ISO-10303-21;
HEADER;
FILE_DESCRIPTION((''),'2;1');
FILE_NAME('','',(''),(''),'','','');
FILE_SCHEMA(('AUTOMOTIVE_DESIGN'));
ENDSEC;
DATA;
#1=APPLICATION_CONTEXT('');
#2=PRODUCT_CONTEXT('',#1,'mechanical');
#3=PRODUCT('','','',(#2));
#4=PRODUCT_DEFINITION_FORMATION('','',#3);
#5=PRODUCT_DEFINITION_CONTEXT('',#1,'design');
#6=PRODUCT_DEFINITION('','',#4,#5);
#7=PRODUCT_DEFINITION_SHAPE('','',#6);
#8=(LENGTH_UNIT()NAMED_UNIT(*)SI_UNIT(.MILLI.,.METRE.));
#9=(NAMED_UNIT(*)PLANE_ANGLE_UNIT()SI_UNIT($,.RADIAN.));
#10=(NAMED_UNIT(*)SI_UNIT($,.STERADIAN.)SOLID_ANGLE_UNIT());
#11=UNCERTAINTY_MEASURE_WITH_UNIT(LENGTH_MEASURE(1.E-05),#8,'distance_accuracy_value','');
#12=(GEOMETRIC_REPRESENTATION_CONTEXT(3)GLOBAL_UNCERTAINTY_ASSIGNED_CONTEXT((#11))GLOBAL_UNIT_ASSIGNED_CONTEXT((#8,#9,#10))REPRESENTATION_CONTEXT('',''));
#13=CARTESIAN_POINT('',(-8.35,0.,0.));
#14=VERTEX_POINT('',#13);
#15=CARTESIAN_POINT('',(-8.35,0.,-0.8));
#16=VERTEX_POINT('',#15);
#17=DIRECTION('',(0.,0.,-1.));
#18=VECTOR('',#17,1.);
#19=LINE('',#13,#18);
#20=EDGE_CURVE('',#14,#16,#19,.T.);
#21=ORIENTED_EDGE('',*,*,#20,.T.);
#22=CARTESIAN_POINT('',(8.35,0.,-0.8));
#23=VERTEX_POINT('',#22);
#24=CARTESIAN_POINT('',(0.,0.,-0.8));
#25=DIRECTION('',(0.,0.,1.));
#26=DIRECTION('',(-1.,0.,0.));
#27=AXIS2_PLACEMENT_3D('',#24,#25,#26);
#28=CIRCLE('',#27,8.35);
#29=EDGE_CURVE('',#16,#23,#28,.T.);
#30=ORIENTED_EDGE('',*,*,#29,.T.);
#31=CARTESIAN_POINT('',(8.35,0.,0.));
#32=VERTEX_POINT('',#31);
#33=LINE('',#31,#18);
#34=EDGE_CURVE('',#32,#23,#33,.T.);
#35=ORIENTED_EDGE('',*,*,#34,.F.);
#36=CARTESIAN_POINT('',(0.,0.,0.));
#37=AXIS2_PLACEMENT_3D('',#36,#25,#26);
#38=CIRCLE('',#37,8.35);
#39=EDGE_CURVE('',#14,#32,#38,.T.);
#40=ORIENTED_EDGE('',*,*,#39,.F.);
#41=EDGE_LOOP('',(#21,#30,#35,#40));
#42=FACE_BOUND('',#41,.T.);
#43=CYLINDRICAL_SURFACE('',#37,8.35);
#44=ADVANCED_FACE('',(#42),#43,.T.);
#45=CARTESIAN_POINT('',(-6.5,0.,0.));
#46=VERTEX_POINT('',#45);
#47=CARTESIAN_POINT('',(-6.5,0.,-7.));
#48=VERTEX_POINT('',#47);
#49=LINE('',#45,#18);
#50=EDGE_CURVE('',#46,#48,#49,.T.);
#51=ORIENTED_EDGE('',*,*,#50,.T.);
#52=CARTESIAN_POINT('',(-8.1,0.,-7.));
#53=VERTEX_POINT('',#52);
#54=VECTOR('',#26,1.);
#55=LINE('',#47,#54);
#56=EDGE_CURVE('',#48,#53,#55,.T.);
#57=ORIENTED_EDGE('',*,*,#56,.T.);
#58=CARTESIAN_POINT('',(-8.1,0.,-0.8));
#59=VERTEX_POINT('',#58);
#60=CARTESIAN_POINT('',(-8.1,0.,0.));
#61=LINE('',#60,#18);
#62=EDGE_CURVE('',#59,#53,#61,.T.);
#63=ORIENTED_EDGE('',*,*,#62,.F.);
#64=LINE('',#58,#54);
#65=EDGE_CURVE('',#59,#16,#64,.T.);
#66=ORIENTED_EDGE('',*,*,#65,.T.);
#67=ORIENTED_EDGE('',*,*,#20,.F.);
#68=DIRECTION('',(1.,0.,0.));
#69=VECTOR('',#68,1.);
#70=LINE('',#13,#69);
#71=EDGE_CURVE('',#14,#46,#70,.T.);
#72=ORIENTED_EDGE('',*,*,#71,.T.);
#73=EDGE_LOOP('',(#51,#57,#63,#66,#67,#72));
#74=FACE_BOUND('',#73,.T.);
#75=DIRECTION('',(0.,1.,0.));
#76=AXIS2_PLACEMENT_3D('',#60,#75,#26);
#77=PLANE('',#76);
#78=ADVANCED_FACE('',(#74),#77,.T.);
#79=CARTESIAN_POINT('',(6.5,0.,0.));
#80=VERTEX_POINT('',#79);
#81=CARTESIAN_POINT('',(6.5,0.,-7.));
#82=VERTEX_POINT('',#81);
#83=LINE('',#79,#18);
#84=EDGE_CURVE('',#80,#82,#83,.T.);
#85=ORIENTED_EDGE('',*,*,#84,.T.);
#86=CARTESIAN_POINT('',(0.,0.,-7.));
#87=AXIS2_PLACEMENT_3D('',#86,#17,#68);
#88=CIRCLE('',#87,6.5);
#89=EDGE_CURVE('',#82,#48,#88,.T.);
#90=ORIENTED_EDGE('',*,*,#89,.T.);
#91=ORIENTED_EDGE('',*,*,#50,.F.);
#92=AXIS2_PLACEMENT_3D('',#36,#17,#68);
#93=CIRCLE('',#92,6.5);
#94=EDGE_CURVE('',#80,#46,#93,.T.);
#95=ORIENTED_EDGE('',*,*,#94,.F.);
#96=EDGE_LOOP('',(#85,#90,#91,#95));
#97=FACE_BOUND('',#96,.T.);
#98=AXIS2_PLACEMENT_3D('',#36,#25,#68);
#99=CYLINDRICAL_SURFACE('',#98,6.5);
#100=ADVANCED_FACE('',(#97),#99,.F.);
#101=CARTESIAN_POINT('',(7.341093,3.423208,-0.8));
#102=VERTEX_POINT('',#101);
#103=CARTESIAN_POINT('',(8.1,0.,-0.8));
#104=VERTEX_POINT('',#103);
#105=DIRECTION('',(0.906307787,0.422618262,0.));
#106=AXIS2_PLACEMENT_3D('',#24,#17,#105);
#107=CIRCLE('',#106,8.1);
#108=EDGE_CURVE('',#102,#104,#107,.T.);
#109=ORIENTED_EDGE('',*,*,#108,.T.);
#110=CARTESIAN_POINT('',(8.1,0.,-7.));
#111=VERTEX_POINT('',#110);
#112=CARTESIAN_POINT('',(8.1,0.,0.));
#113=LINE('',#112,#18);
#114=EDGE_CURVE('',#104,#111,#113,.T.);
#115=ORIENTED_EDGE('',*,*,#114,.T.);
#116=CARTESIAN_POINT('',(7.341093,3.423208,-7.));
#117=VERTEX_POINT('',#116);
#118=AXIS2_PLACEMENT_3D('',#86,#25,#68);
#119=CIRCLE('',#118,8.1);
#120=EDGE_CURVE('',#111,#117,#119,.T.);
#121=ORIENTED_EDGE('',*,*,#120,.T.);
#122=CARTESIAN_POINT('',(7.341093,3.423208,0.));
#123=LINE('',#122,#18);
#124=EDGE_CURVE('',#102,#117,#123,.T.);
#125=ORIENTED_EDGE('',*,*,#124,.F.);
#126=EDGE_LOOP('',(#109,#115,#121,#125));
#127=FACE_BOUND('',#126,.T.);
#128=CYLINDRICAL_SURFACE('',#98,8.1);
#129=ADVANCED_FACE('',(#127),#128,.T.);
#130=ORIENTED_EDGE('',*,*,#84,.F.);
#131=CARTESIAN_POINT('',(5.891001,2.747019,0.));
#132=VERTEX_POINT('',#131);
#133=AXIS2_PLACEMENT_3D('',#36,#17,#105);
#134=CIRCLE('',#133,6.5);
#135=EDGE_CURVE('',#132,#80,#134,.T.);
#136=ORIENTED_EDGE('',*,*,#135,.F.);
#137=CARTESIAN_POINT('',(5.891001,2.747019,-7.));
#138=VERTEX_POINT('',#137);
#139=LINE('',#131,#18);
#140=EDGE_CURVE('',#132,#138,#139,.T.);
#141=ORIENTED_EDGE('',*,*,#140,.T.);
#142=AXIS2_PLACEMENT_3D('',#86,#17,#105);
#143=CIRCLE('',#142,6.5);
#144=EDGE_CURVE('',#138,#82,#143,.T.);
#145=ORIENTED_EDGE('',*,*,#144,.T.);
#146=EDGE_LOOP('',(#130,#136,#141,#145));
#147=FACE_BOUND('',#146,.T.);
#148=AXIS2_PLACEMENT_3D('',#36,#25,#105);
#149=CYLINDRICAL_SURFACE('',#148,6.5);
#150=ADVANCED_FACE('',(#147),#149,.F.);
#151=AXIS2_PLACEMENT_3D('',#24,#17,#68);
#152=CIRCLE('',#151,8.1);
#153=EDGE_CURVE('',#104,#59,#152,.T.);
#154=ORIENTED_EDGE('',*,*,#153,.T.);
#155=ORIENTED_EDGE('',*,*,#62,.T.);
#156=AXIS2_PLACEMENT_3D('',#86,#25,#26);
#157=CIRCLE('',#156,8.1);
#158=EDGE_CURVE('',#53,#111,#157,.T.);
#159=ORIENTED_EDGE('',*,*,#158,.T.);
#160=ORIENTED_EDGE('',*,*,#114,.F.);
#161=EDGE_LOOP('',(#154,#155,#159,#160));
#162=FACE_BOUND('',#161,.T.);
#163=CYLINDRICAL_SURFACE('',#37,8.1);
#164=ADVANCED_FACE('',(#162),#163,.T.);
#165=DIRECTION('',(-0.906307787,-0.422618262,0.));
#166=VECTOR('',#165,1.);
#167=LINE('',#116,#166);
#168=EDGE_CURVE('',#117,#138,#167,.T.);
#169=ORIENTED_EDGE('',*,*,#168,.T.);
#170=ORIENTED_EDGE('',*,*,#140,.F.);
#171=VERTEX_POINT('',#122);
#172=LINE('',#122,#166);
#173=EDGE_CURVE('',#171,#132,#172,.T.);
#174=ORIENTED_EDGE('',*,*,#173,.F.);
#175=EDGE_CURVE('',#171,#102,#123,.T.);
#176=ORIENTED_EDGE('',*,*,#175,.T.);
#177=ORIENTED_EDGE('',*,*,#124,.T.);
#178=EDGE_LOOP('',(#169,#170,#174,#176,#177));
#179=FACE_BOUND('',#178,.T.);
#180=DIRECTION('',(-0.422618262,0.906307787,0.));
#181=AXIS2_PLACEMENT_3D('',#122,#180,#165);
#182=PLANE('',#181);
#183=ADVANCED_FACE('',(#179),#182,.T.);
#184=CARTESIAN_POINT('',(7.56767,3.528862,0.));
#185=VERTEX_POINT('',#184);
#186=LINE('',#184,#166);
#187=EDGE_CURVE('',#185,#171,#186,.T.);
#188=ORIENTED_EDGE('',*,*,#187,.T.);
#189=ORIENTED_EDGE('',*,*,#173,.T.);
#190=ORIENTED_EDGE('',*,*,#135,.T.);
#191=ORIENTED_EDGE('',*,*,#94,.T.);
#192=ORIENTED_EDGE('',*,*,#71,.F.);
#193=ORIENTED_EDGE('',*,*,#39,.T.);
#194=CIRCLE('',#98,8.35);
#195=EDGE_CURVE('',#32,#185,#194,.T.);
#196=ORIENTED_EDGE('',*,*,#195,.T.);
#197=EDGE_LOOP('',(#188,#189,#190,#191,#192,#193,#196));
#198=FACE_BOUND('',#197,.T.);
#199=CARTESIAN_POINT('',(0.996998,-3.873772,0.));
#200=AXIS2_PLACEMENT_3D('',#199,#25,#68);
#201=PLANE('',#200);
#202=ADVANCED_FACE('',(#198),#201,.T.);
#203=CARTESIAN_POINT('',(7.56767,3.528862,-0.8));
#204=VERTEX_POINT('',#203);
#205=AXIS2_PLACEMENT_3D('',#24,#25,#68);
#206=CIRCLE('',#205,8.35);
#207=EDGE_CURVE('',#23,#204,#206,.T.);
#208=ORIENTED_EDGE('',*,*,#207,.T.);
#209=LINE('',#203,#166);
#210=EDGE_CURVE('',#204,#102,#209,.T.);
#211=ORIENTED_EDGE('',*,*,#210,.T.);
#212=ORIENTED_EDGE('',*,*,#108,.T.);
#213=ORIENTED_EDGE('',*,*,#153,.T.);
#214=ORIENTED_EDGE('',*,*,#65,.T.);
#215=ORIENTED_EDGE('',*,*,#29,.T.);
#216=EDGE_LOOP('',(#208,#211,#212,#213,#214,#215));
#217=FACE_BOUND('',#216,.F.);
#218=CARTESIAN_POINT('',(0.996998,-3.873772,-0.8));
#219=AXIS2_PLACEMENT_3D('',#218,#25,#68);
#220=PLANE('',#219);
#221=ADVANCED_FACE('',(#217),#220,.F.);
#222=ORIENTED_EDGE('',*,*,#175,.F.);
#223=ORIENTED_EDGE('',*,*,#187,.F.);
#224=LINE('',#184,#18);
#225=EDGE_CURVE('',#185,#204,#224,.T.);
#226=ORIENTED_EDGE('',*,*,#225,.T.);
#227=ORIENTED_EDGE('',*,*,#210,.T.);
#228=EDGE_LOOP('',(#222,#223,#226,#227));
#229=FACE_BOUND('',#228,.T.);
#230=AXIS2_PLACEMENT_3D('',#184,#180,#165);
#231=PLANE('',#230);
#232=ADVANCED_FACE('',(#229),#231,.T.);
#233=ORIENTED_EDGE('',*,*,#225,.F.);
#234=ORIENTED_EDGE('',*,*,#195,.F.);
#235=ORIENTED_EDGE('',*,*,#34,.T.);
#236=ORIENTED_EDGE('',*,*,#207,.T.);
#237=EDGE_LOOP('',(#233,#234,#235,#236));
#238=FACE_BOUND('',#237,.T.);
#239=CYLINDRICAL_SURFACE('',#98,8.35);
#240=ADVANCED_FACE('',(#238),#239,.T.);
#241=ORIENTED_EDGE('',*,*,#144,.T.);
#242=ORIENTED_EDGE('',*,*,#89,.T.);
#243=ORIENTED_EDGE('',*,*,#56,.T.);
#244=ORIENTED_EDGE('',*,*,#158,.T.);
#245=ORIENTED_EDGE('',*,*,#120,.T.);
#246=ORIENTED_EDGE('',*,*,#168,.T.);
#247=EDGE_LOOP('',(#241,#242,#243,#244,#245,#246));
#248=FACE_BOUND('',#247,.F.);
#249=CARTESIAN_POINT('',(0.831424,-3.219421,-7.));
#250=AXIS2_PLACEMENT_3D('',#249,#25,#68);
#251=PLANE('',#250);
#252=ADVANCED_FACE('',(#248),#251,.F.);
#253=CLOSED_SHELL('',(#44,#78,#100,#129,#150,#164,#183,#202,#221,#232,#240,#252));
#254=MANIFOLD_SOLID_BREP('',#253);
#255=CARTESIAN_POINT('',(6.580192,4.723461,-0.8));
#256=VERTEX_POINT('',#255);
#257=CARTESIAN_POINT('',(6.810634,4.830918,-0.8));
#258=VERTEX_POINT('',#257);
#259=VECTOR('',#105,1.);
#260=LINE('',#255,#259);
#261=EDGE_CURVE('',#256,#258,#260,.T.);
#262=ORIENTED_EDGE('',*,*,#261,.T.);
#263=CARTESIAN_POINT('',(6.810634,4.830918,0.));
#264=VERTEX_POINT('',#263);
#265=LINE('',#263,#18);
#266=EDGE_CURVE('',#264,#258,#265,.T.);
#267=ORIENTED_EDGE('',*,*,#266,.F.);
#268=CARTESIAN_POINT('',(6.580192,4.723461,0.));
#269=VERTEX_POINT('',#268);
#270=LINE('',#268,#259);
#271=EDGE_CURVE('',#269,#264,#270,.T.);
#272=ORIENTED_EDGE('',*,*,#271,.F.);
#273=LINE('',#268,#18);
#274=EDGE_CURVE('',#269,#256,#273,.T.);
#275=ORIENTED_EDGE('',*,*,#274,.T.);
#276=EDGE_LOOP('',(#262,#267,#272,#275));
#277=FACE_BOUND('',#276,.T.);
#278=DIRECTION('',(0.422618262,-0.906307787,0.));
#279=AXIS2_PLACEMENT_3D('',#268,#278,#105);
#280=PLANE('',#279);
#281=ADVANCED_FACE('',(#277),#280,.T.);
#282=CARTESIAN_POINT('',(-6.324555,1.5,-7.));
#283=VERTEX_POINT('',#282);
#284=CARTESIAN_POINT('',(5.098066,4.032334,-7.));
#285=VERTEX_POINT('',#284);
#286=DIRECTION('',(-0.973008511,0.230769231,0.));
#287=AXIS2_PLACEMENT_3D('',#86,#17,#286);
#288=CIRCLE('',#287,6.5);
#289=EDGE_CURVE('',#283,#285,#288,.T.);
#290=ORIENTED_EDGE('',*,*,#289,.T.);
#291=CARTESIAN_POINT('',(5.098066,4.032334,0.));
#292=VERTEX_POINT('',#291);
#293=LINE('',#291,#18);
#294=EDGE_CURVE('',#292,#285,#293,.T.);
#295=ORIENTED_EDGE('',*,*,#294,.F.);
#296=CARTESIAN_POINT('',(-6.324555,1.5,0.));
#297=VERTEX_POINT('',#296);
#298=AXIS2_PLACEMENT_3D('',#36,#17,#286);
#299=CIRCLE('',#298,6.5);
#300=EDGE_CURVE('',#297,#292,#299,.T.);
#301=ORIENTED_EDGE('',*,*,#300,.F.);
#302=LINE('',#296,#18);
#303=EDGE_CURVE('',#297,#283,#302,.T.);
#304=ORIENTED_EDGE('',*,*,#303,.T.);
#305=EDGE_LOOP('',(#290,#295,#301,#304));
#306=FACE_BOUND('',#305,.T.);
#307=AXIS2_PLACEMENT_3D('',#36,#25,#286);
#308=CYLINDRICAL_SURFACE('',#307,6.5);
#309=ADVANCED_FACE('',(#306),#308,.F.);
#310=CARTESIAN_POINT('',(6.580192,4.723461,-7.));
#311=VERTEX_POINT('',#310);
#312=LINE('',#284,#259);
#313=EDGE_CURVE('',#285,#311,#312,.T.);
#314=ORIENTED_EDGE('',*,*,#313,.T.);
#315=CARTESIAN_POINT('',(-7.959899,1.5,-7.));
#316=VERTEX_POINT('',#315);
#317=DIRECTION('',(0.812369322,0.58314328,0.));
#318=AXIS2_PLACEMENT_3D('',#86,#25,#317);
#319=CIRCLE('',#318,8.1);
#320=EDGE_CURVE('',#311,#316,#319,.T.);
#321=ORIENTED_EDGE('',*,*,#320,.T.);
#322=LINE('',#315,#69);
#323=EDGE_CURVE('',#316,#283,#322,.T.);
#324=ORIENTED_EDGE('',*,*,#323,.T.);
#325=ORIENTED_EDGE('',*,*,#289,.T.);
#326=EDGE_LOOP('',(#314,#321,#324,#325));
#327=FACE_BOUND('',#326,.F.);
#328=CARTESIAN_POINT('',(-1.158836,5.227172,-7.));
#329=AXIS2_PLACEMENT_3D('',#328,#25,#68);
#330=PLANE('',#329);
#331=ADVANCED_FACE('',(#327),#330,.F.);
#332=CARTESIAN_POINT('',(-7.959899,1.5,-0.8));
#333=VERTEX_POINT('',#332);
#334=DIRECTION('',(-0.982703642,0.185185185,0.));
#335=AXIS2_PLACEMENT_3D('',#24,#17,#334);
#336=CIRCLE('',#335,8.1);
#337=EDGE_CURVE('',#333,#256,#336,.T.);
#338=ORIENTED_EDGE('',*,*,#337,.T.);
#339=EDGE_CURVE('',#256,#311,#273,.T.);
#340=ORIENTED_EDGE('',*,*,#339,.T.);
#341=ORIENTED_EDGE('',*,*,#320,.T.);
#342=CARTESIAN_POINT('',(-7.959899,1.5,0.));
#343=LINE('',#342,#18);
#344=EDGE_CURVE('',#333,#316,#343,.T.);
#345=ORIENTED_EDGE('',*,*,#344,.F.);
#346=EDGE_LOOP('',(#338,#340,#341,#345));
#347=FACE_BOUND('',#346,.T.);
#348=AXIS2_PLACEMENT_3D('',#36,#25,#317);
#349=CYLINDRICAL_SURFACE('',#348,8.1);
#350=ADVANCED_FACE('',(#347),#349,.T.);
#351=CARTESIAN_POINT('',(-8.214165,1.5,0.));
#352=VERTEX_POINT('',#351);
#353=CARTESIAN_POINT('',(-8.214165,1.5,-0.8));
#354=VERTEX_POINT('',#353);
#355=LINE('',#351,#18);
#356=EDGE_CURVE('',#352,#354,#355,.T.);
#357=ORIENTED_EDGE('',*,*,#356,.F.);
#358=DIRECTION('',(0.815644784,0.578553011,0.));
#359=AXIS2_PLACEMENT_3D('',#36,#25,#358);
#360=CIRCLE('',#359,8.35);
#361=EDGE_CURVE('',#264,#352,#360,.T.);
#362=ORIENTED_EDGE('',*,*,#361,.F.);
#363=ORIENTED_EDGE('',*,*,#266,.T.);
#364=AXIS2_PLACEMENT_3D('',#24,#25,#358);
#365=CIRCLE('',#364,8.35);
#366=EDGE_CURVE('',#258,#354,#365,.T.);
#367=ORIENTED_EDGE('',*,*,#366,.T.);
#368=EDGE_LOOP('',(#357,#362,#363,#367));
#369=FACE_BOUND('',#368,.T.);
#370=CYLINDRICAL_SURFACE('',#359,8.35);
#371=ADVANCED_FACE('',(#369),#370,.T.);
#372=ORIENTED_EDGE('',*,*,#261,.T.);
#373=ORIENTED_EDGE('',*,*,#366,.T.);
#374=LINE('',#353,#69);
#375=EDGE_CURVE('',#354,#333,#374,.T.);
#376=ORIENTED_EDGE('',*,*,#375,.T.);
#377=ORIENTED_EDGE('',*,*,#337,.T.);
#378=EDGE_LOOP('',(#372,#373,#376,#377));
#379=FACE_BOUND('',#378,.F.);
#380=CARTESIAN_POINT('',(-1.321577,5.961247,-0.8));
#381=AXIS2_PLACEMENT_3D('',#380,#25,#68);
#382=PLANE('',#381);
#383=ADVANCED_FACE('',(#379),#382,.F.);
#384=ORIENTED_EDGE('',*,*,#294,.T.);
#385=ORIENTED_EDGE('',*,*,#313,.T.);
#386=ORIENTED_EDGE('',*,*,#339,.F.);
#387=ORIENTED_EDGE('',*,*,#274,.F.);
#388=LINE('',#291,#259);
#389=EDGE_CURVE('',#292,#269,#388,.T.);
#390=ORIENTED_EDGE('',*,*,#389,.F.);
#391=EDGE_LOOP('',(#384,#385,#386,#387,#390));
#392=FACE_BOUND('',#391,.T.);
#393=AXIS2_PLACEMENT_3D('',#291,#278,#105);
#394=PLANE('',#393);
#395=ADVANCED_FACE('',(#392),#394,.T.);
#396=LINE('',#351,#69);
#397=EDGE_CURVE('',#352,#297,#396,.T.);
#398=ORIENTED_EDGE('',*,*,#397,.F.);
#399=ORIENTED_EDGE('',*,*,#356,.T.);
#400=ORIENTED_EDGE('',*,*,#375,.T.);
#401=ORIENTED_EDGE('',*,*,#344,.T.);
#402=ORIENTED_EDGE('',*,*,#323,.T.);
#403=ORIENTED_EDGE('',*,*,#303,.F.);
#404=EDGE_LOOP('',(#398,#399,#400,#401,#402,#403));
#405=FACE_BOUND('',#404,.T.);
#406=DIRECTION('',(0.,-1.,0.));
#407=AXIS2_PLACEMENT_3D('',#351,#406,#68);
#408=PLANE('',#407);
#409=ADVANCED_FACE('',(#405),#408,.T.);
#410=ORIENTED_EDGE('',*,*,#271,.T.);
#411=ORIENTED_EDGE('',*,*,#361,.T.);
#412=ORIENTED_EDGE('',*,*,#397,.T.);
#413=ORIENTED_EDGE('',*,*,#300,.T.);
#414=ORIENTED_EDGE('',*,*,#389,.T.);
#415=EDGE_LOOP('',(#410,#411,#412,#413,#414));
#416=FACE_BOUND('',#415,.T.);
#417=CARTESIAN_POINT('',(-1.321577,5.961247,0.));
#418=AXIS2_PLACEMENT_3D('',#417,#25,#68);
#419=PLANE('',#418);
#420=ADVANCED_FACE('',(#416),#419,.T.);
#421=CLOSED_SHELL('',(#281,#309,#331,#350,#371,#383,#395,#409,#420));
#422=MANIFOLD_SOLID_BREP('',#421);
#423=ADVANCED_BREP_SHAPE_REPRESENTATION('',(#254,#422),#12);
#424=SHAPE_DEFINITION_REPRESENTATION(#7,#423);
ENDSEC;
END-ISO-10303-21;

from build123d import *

# Parameters (mm, degrees)
F1_DEPTH = 7
F2_DEPTH = 0.8
F3_DEPTH = 7
F4_DEPTH = 0.8


with BuildPart() as f1:
    # F0 (on Top) → F1 (new body)
    with BuildSketch(Plane.XY):
        with BuildLine():
            ThreePointArc((8.1, 0), (7.9079976577, 1.7531608729), (7.341093075, 3.4232079201))
            Line((7.341093075, 3.4232079201), (5.8910006157, 2.7470187013))
            ThreePointArc((5.8910006157, 2.7470187013), (6.3459240463, 1.4068574906), (6.5, 0))
            ThreePointArc((6.5, 0), (0, -6.5), (-6.5, 0))
            Line((-6.5, 0), (-8.1, 0))
            ThreePointArc((-8.1, 0), (0, -8.1), (8.1, 0))
        make_face()
    extrude(amount=-F1_DEPTH)

    # F0 (on Top) → F2 (join)
    with BuildSketch(Plane.XY):
        with BuildLine():
            ThreePointArc((-8.35, 0), (0, -8.35), (8.35, 0))
            ThreePointArc((8.35, 0), (8.1520716595, 1.8072707764), (7.5676700218, 3.5288624855))
            Line((7.5676700218, 3.5288624855), (7.341093075, 3.4232079201))
            ThreePointArc((7.341093075, 3.4232079201), (7.9079976577, 1.7531608729), (8.1, 0))
            ThreePointArc((8.1, 0), (0, -8.1), (-8.1, 0))
            Line((-8.1, 0), (-8.35, 0))
        make_face()
    extrude(amount=-F2_DEPTH)


with BuildPart() as f3:
    # F0 (on Top) → F3 (new body)
    with BuildSketch(Plane.XY):
        with BuildLine():
            Line((5.0980663438, 4.0323342563), (6.5801915054, 4.7234605695))
            ThreePointArc((6.5801915054, 4.7234605695), (-1.7531608729, 7.9079976577), (-7.9598994969, 1.5))
            Line((-7.9598994969, 1.5), (-6.3245553203, 1.5))
            ThreePointArc((-6.3245553203, 1.5), (-1.4068574906, 6.3459240463), (5.0980663438, 4.0323342563))
        make_face()
    extrude(amount=-F3_DEPTH)

    # F0 (on Top) → F4 (join)
    with BuildSketch(Plane.XY):
        with BuildLine():
            Line((6.5801915054, 4.7234605695), (6.8106339442, 4.8309176435))
            ThreePointArc((6.8106339442, 4.8309176435), (-1.8072707764, 8.1520716595), (-8.2141645954, 1.5))
            Line((-8.2141645954, 1.5), (-7.9598994969, 1.5))
            ThreePointArc((-7.9598994969, 1.5), (-1.7531608729, 7.9079976577), (6.5801915054, 4.7234605695))
        make_face()
    extrude(amount=-F4_DEPTH)


solid = Compound([f1.part, f3.part])
